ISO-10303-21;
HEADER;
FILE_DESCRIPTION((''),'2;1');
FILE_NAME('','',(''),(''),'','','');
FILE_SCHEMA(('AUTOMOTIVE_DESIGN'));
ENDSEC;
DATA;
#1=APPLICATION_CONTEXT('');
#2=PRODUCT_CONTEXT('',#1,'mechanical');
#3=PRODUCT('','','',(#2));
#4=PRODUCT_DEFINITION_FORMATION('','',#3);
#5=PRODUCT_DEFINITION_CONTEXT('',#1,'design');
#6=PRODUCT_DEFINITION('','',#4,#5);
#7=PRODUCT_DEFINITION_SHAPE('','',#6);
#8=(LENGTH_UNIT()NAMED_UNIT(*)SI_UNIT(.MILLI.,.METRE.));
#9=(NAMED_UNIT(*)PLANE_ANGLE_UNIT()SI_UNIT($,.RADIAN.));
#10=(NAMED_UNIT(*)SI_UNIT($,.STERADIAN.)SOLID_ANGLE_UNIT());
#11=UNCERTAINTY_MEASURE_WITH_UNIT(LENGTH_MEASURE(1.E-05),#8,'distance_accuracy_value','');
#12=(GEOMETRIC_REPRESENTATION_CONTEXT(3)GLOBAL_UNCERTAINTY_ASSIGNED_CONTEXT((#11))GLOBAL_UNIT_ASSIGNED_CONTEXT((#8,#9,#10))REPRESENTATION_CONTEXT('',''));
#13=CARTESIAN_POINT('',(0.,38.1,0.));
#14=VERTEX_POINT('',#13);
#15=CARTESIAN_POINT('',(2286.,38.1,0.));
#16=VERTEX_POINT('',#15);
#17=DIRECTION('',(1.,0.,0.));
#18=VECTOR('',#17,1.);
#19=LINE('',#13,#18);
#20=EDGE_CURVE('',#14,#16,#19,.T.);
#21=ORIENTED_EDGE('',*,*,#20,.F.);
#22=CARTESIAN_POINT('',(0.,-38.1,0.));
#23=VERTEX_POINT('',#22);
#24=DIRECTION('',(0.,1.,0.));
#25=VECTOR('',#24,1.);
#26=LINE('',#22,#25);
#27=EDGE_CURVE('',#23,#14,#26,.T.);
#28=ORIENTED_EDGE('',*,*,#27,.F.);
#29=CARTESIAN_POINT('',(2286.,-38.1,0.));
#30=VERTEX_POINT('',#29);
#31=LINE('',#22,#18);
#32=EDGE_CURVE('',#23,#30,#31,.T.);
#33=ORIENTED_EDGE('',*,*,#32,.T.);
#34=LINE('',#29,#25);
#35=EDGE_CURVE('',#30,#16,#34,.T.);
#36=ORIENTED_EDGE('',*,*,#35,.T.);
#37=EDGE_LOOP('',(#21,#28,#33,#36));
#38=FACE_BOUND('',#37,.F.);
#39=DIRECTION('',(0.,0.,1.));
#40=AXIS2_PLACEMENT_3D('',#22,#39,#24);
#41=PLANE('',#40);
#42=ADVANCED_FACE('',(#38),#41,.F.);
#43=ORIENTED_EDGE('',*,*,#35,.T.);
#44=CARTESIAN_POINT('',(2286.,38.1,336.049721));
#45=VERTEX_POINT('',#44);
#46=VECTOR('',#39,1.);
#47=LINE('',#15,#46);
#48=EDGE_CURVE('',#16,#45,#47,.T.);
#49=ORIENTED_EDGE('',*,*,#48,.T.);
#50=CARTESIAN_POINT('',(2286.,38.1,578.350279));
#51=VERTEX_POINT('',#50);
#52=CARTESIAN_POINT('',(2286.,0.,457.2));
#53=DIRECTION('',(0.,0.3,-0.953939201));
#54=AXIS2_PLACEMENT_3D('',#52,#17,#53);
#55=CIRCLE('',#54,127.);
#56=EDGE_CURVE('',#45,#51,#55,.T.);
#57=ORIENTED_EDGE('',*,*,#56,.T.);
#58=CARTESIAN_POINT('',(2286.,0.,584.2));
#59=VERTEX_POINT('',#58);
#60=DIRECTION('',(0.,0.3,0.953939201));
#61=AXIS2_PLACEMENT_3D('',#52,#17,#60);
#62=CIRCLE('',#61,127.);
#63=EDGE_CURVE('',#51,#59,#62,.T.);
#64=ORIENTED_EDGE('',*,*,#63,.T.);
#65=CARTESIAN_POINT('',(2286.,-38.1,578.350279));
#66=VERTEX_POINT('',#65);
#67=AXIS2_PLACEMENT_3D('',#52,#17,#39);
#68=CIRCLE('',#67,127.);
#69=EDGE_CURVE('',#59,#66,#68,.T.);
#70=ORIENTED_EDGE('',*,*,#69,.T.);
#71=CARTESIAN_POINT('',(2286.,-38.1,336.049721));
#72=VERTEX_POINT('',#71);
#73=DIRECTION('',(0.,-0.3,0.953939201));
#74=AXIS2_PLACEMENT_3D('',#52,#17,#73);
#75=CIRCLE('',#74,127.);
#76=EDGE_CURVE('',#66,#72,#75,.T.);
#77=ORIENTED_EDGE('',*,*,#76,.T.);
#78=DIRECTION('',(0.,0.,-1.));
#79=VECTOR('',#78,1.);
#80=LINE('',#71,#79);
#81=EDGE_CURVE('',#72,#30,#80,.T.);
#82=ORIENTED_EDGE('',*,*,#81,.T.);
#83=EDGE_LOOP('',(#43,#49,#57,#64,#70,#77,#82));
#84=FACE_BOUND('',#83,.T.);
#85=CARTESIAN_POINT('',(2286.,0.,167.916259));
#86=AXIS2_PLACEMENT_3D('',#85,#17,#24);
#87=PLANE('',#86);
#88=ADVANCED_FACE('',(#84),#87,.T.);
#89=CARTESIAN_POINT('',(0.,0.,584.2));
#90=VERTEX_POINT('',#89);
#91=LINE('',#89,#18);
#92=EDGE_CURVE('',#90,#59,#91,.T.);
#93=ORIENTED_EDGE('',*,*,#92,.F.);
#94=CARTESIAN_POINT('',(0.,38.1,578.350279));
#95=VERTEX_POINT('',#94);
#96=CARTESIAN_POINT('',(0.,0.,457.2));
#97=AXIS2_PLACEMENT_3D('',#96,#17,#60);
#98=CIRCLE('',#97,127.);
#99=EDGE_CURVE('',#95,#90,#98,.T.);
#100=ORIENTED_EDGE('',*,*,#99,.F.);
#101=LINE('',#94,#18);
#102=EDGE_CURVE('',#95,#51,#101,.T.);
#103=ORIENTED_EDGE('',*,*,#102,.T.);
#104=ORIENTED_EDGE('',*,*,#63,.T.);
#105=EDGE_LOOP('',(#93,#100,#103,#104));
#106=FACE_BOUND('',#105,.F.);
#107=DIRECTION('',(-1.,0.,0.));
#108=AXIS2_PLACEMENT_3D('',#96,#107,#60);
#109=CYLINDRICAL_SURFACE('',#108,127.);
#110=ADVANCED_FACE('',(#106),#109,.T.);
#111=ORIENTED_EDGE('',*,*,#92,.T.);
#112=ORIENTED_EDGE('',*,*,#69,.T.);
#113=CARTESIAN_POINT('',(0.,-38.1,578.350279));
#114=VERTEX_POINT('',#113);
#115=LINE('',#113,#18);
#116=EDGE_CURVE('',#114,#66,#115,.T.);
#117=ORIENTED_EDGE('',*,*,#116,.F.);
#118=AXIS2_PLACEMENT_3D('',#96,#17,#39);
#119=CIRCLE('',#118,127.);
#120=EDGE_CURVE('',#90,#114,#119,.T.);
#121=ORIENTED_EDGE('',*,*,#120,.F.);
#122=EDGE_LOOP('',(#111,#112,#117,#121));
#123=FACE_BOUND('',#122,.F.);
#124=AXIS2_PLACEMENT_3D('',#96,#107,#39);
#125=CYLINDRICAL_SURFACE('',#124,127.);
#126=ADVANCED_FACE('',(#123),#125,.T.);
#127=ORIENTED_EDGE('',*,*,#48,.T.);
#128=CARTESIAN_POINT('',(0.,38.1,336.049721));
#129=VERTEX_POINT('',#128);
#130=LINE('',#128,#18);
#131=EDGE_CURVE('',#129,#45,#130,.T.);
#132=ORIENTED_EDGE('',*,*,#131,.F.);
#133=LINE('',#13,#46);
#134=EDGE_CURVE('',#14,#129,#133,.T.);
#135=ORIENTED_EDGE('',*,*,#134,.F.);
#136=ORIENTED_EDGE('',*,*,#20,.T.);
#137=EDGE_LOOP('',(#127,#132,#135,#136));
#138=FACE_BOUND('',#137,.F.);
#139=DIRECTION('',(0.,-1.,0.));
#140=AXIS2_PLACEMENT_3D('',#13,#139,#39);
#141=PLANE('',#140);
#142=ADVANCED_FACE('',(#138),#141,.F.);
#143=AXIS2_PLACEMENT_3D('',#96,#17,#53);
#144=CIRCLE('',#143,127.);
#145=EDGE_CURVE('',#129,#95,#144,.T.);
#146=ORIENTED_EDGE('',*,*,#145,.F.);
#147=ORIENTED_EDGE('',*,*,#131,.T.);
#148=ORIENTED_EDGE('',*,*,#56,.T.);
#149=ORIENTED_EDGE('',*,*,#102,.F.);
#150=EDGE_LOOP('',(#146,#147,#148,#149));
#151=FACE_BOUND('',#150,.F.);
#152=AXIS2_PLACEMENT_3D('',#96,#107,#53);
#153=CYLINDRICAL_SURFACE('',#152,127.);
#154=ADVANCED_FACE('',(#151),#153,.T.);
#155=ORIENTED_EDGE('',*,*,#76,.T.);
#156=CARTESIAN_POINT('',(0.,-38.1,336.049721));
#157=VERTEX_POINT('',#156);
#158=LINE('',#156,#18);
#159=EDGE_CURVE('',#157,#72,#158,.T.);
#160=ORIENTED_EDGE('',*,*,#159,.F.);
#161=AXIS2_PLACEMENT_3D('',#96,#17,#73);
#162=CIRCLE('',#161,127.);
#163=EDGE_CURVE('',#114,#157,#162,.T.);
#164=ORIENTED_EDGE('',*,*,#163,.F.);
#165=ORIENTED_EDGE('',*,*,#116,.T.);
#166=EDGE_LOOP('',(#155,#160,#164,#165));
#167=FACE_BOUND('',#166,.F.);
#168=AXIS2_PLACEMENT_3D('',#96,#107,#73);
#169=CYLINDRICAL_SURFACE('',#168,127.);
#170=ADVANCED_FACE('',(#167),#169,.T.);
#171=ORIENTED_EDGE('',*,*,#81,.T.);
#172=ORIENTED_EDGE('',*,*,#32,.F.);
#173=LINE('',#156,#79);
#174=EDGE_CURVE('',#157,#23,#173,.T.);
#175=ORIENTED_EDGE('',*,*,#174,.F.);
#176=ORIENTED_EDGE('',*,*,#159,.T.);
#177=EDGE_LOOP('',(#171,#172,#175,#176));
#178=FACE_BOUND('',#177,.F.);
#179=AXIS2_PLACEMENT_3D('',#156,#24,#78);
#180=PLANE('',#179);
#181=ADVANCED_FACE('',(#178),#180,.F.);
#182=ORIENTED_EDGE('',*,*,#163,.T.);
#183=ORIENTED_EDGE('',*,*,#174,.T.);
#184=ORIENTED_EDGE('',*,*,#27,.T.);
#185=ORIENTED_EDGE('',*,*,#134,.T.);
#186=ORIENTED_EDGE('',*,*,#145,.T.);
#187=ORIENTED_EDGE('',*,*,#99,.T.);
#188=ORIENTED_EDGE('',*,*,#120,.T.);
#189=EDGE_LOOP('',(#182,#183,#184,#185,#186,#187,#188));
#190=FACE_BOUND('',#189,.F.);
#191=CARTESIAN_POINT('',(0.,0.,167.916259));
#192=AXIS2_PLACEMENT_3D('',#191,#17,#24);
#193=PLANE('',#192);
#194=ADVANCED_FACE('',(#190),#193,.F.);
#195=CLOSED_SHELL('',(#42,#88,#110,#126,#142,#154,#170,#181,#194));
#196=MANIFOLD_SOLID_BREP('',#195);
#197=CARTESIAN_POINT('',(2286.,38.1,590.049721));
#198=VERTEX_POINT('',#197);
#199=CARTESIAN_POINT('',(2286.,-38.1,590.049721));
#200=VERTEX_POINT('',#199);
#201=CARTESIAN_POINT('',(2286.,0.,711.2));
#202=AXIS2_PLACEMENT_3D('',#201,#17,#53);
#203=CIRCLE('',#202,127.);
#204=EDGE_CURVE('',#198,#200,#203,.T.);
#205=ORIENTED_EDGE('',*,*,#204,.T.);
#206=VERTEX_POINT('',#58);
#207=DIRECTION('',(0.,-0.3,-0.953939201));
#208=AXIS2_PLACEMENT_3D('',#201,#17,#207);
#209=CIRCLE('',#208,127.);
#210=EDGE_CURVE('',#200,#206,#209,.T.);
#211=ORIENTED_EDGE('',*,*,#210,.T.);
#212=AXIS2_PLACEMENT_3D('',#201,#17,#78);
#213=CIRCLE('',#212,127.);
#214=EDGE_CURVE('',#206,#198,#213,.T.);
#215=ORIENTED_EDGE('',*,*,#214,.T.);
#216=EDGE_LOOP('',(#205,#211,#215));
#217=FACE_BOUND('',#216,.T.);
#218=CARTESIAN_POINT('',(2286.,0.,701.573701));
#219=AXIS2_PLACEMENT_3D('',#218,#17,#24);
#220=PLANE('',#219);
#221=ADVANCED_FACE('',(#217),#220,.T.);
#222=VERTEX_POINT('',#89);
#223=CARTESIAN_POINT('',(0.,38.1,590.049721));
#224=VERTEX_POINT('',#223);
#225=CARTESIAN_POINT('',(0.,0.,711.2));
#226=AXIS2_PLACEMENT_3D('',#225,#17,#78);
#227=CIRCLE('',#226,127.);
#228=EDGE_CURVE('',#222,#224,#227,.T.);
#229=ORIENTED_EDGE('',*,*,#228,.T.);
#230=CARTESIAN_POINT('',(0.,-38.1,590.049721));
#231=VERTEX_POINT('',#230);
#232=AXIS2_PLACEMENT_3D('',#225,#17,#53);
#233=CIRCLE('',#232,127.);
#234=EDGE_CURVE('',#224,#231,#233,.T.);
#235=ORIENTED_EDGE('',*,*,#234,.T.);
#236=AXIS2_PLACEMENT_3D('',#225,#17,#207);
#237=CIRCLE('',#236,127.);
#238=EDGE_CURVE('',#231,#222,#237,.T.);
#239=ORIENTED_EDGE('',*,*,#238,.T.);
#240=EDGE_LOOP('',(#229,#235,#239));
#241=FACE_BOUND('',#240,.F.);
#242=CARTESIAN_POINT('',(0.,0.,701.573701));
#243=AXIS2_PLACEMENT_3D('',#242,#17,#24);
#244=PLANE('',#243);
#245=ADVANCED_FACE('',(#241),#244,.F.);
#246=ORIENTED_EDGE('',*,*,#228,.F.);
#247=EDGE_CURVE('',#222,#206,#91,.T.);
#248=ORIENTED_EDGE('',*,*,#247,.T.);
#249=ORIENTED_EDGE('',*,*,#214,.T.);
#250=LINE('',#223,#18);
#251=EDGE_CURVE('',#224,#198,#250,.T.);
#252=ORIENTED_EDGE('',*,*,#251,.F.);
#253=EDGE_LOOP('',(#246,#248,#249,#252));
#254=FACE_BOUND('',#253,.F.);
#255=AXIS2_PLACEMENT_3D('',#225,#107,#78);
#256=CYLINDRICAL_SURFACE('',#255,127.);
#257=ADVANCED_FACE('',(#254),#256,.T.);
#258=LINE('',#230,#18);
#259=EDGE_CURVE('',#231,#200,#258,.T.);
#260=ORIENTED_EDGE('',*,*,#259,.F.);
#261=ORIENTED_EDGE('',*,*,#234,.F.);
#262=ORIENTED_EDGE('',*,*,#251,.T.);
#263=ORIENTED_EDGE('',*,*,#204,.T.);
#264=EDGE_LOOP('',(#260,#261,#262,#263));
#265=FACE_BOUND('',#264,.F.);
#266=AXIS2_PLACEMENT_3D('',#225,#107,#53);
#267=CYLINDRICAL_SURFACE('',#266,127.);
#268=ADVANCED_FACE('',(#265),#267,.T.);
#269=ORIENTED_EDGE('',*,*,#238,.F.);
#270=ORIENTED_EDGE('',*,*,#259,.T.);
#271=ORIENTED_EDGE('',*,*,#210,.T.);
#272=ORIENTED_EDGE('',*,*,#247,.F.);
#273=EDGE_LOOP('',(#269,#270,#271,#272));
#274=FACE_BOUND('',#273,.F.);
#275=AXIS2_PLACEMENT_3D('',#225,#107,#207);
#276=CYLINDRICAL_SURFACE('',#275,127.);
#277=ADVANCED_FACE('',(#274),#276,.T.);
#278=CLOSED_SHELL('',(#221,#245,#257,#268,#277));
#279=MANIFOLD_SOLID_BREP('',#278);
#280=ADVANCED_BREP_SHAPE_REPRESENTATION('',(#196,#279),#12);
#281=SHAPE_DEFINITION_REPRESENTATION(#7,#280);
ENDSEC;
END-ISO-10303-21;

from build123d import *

# Parameters (mm, degrees)
F1_DEPTH = 2286


with BuildPart() as f1:
    # F0 (on Right) → F1 (new body)
    with BuildSketch(Plane.YZ):
        with BuildLine():
            Line((38.1, 0), (38.1, 336.04972142))
            ThreePointArc((38.1, 336.04972142), (0, 330.2), (-38.1, 336.04972142))
            Line((-38.1, 336.04972142), (-38.1, 0))
            Line((-38.1, 0), (0, 0))
            Line((0, 0), (38.1, 0))
        make_face()
        with BuildLine():
            ThreePointArc((-38.1, 578.35027858), (-127, 457.2), (-38.1, 336.04972142))
            Line((-38.1, 336.04972142), (-38.1, 578.35027858))
        make_face()
        with BuildLine():
            Line((38.1, 336.04972142), (38.1, 578.35027858))
            ThreePointArc((38.1, 578.35027858), (19.2732278089, 582.7290511787), (0, 584.2))
            ThreePointArc((0, 584.2), (-19.2732278089, 582.7290511787), (-38.1, 578.35027858))
            Line((-38.1, 578.35027858), (-38.1, 336.04972142))
            ThreePointArc((-38.1, 336.04972142), (0, 330.2), (38.1, 336.04972142))
        make_face()
        with BuildLine():
            ThreePointArc((38.1, 336.04972142), (102.3906734034, 382.0657867546), (127, 457.2))
            ThreePointArc((127, 457.2), (102.3906734034, 532.3342132454), (38.1, 578.35027858))
            Line((38.1, 578.35027858), (38.1, 336.04972142))
        make_face()
    extrude(amount=F1_DEPTH)


with BuildPart() as f1b:
    # F0 (on Right) → F1, piece 2 (new body)
    with BuildSketch(Plane.YZ):
        with BuildLine():
            Line((38.1, 711.2), (38.1, 590.04972142))
            ThreePointArc((38.1, 590.04972142), (102.3906734034, 636.0657867546), (127, 711.2))
            ThreePointArc((127, 711.2), (-75.1342132454, 813.5906734034), (-38.1, 590.04972142))
            Line((-38.1, 590.04972142), (-38.1, 711.2))
            Line((-38.1, 711.2), (0, 711.2))
            Line((0, 711.2), (38.1, 711.2))
        make_face()
        with BuildLine():
            ThreePointArc((-38.1, 590.04972142), (-19.2732278089, 585.6709488213), (0, 584.2))
            ThreePointArc((0, 584.2), (19.2732278089, 585.6709488213), (38.1, 590.04972142))
            Line((38.1, 590.04972142), (38.1, 711.2))
            Line((38.1, 711.2), (0, 711.2))
            Line((0, 711.2), (-38.1, 711.2))
            Line((-38.1, 711.2), (-38.1, 590.04972142))
        make_face()
    extrude(amount=F1_DEPTH)


solid = Compound([f1.part, f1b.part])
